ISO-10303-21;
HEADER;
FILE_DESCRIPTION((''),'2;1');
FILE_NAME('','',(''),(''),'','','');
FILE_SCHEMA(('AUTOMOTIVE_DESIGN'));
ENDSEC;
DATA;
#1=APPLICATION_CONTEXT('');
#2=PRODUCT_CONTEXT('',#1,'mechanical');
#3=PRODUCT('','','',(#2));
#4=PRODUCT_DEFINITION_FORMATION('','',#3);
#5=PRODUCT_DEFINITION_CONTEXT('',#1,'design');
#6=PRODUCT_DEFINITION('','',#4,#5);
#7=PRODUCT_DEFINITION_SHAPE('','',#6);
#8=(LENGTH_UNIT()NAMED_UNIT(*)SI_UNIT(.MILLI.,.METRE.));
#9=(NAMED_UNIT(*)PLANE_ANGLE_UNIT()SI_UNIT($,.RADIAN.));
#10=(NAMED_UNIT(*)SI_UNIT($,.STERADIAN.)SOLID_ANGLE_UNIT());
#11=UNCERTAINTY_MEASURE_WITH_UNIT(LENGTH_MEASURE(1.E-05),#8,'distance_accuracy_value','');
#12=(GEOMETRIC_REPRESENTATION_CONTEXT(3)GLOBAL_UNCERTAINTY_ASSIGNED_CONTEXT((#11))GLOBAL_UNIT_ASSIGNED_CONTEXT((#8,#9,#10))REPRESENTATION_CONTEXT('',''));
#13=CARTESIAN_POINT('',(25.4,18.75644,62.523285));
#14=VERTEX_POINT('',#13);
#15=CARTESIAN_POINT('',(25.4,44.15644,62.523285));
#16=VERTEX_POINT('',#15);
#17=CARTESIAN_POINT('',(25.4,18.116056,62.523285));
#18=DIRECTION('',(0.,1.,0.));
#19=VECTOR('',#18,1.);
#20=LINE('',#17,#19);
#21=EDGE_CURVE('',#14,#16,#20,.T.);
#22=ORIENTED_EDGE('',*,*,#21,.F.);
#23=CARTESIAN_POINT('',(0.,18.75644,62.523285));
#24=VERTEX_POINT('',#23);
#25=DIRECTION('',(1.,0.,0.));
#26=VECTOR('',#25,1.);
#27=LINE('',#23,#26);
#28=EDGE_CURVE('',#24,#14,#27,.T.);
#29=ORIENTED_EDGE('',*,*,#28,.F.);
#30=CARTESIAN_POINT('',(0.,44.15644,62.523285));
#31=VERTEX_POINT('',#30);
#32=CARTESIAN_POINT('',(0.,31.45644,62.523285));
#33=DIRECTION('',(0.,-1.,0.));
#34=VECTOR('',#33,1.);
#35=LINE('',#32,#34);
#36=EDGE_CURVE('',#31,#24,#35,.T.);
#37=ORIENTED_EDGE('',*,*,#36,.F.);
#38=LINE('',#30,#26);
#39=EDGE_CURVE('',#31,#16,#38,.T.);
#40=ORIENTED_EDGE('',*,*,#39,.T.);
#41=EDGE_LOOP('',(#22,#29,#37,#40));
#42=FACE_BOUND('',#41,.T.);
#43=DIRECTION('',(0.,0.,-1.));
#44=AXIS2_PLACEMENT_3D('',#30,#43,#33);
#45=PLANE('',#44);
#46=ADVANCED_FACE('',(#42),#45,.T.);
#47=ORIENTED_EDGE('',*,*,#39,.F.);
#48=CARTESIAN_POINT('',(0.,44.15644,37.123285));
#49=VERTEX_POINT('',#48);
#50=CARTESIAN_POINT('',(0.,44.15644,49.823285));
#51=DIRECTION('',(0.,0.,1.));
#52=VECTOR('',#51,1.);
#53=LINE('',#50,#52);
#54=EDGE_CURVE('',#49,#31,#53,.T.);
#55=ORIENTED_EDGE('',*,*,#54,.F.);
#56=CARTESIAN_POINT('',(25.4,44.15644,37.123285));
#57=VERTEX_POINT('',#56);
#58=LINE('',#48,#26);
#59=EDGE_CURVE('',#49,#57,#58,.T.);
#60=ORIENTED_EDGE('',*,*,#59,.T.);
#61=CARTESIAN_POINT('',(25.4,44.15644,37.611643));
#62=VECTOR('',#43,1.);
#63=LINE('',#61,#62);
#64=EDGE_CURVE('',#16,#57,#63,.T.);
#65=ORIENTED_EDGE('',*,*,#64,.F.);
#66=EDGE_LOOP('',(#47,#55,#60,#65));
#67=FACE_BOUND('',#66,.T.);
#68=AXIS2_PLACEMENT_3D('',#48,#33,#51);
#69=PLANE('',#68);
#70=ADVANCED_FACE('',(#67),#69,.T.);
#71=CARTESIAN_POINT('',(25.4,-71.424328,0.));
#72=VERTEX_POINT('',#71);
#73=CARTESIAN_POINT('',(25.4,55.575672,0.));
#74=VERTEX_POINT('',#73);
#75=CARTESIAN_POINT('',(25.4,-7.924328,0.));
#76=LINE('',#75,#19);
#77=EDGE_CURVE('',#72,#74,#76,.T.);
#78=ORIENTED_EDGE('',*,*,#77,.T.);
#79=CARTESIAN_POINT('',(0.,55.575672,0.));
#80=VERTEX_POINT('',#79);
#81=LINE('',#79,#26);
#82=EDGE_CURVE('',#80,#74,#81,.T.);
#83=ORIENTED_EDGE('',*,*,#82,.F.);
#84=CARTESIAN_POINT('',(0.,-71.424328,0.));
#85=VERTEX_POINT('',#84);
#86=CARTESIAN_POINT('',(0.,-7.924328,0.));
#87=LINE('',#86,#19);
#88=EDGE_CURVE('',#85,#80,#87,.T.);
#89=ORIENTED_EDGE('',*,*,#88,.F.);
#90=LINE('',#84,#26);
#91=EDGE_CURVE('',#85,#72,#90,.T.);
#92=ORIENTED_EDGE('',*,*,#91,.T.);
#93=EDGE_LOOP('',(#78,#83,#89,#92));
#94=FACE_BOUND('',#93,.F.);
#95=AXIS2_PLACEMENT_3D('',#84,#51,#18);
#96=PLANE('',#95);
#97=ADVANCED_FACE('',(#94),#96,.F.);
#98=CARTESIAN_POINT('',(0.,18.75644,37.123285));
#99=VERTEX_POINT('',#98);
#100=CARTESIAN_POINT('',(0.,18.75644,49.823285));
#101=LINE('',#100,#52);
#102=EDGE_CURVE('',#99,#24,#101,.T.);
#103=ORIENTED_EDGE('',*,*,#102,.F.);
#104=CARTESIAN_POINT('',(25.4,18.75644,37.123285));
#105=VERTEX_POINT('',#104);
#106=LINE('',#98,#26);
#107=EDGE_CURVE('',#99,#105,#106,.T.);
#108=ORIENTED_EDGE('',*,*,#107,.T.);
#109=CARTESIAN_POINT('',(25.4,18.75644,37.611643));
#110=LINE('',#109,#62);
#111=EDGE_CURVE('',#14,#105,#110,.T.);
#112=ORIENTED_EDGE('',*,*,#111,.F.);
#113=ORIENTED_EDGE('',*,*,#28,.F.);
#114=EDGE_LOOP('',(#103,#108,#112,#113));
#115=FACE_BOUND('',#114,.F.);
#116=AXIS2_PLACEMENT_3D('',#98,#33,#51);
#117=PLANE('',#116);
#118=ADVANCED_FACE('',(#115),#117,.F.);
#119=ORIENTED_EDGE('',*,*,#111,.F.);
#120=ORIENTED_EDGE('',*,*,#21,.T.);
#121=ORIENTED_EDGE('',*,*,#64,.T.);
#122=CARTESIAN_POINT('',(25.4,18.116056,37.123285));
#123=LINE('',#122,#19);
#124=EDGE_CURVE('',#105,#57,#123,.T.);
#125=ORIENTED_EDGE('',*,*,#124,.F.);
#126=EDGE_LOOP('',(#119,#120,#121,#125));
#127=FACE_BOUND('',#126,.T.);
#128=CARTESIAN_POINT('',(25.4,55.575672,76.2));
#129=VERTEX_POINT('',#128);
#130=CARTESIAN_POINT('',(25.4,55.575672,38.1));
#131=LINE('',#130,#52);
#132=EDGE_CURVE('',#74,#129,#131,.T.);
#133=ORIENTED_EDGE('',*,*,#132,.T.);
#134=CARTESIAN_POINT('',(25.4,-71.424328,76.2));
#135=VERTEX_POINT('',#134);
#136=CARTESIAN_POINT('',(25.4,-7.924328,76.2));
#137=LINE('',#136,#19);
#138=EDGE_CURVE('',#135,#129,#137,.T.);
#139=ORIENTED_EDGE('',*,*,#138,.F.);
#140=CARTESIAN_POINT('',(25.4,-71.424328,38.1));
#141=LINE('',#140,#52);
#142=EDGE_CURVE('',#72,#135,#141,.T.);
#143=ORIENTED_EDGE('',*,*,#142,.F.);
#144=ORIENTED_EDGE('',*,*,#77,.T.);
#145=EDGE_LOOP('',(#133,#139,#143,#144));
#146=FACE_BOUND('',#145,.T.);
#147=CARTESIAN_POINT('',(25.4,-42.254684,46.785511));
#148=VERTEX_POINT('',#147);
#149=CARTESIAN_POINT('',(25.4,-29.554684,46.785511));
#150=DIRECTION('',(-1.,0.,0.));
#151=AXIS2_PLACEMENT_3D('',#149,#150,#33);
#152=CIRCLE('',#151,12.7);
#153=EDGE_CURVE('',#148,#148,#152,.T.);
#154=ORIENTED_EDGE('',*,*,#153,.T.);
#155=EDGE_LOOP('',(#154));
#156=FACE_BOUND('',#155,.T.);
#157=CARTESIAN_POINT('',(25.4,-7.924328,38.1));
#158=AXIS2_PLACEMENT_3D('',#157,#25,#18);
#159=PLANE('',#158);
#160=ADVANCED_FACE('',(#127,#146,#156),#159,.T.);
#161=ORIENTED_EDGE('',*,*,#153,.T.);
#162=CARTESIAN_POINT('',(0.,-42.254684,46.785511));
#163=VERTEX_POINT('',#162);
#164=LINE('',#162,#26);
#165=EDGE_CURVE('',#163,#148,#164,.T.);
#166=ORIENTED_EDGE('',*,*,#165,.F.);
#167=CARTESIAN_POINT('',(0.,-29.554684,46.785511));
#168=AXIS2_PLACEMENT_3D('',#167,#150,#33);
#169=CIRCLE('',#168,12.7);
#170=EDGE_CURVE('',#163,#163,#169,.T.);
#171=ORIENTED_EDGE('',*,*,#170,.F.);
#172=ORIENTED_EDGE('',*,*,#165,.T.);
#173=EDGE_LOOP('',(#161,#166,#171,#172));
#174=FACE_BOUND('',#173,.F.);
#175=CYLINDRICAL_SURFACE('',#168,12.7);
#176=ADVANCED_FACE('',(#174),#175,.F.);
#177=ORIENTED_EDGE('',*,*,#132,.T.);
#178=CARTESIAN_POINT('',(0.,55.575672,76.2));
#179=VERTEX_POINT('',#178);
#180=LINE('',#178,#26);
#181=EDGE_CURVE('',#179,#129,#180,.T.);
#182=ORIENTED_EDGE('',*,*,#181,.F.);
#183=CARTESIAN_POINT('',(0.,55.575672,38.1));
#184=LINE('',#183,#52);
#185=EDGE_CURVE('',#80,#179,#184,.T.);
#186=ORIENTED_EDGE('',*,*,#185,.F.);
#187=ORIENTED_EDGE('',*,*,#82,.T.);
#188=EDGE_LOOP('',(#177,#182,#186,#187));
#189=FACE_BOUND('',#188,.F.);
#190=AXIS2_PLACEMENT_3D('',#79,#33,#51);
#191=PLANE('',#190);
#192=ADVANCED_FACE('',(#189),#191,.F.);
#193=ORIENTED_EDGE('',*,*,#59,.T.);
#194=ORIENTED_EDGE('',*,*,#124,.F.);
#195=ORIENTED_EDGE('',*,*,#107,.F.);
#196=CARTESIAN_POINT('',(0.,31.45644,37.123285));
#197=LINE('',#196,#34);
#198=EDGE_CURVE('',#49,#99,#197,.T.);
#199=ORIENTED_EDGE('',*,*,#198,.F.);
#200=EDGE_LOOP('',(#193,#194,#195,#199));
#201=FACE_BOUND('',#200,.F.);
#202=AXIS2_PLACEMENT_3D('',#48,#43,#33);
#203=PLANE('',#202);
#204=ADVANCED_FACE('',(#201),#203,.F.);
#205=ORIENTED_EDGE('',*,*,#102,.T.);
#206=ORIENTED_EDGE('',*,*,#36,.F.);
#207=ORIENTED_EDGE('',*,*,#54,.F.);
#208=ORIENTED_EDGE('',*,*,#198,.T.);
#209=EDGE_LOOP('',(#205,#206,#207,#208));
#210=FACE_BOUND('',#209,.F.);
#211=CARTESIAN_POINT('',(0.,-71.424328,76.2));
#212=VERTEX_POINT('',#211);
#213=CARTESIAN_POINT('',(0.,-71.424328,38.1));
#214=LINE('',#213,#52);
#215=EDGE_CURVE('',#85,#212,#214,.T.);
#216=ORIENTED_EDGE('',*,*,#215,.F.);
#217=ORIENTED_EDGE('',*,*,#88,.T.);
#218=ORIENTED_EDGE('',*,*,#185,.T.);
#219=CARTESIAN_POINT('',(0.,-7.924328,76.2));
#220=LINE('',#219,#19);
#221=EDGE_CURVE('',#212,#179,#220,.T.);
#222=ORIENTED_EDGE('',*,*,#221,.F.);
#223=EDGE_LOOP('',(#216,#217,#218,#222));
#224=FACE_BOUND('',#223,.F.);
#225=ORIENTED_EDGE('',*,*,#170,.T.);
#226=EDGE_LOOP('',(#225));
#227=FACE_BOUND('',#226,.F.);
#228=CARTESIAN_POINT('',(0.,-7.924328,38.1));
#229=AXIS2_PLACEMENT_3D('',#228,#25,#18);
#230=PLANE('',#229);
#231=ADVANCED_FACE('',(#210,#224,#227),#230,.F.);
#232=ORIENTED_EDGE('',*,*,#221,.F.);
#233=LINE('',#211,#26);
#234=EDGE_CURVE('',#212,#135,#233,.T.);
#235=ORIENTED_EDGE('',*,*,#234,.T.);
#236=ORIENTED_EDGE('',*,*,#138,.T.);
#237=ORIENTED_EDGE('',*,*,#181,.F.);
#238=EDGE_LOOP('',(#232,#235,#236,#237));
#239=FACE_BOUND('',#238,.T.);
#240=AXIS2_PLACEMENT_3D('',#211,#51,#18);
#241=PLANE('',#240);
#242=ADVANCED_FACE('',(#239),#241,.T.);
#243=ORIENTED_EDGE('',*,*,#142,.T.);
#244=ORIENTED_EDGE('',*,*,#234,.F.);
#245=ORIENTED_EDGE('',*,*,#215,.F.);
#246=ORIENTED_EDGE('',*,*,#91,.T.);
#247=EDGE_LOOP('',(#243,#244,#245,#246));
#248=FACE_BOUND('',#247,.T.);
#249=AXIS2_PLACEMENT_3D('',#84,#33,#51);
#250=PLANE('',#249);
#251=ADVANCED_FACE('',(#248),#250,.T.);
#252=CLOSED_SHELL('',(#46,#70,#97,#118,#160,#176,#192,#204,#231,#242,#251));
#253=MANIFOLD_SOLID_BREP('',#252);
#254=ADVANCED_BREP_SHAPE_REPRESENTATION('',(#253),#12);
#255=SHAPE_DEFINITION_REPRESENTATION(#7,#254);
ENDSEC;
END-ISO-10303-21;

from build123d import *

# Parameters (mm, degrees)
F0_W     = 127
F0_H     = 76.2
F1_DEPTH = 25.4
F2_W     = 25.4
F2_H     = 25.4
F2_R     = 12.7
F3_DEPTH = 2540


with BuildPart() as f1:
    # F0 (on Right) → F1 (new body)
    with BuildSketch(Plane.YZ):
        with Locations((-7.924328, 38.1)):
            Rectangle(F0_W, F0_H)
    extrude(amount=F1_DEPTH)

    # F2 (on face) → F3 (cut)
    with BuildSketch(Plane(origin=(0, 0, 0), x_dir=(0, -1, 0), z_dir=(-1, 0, 0))):
        with Locations((-31.45644, 49.823285)):
            Rectangle(F2_W, F2_H)
        with Locations((29.554684, 46.785511)):
            Circle(F2_R)
    extrude(amount=-F3_DEPTH, mode=Mode.SUBTRACT)


solid = f1.part
